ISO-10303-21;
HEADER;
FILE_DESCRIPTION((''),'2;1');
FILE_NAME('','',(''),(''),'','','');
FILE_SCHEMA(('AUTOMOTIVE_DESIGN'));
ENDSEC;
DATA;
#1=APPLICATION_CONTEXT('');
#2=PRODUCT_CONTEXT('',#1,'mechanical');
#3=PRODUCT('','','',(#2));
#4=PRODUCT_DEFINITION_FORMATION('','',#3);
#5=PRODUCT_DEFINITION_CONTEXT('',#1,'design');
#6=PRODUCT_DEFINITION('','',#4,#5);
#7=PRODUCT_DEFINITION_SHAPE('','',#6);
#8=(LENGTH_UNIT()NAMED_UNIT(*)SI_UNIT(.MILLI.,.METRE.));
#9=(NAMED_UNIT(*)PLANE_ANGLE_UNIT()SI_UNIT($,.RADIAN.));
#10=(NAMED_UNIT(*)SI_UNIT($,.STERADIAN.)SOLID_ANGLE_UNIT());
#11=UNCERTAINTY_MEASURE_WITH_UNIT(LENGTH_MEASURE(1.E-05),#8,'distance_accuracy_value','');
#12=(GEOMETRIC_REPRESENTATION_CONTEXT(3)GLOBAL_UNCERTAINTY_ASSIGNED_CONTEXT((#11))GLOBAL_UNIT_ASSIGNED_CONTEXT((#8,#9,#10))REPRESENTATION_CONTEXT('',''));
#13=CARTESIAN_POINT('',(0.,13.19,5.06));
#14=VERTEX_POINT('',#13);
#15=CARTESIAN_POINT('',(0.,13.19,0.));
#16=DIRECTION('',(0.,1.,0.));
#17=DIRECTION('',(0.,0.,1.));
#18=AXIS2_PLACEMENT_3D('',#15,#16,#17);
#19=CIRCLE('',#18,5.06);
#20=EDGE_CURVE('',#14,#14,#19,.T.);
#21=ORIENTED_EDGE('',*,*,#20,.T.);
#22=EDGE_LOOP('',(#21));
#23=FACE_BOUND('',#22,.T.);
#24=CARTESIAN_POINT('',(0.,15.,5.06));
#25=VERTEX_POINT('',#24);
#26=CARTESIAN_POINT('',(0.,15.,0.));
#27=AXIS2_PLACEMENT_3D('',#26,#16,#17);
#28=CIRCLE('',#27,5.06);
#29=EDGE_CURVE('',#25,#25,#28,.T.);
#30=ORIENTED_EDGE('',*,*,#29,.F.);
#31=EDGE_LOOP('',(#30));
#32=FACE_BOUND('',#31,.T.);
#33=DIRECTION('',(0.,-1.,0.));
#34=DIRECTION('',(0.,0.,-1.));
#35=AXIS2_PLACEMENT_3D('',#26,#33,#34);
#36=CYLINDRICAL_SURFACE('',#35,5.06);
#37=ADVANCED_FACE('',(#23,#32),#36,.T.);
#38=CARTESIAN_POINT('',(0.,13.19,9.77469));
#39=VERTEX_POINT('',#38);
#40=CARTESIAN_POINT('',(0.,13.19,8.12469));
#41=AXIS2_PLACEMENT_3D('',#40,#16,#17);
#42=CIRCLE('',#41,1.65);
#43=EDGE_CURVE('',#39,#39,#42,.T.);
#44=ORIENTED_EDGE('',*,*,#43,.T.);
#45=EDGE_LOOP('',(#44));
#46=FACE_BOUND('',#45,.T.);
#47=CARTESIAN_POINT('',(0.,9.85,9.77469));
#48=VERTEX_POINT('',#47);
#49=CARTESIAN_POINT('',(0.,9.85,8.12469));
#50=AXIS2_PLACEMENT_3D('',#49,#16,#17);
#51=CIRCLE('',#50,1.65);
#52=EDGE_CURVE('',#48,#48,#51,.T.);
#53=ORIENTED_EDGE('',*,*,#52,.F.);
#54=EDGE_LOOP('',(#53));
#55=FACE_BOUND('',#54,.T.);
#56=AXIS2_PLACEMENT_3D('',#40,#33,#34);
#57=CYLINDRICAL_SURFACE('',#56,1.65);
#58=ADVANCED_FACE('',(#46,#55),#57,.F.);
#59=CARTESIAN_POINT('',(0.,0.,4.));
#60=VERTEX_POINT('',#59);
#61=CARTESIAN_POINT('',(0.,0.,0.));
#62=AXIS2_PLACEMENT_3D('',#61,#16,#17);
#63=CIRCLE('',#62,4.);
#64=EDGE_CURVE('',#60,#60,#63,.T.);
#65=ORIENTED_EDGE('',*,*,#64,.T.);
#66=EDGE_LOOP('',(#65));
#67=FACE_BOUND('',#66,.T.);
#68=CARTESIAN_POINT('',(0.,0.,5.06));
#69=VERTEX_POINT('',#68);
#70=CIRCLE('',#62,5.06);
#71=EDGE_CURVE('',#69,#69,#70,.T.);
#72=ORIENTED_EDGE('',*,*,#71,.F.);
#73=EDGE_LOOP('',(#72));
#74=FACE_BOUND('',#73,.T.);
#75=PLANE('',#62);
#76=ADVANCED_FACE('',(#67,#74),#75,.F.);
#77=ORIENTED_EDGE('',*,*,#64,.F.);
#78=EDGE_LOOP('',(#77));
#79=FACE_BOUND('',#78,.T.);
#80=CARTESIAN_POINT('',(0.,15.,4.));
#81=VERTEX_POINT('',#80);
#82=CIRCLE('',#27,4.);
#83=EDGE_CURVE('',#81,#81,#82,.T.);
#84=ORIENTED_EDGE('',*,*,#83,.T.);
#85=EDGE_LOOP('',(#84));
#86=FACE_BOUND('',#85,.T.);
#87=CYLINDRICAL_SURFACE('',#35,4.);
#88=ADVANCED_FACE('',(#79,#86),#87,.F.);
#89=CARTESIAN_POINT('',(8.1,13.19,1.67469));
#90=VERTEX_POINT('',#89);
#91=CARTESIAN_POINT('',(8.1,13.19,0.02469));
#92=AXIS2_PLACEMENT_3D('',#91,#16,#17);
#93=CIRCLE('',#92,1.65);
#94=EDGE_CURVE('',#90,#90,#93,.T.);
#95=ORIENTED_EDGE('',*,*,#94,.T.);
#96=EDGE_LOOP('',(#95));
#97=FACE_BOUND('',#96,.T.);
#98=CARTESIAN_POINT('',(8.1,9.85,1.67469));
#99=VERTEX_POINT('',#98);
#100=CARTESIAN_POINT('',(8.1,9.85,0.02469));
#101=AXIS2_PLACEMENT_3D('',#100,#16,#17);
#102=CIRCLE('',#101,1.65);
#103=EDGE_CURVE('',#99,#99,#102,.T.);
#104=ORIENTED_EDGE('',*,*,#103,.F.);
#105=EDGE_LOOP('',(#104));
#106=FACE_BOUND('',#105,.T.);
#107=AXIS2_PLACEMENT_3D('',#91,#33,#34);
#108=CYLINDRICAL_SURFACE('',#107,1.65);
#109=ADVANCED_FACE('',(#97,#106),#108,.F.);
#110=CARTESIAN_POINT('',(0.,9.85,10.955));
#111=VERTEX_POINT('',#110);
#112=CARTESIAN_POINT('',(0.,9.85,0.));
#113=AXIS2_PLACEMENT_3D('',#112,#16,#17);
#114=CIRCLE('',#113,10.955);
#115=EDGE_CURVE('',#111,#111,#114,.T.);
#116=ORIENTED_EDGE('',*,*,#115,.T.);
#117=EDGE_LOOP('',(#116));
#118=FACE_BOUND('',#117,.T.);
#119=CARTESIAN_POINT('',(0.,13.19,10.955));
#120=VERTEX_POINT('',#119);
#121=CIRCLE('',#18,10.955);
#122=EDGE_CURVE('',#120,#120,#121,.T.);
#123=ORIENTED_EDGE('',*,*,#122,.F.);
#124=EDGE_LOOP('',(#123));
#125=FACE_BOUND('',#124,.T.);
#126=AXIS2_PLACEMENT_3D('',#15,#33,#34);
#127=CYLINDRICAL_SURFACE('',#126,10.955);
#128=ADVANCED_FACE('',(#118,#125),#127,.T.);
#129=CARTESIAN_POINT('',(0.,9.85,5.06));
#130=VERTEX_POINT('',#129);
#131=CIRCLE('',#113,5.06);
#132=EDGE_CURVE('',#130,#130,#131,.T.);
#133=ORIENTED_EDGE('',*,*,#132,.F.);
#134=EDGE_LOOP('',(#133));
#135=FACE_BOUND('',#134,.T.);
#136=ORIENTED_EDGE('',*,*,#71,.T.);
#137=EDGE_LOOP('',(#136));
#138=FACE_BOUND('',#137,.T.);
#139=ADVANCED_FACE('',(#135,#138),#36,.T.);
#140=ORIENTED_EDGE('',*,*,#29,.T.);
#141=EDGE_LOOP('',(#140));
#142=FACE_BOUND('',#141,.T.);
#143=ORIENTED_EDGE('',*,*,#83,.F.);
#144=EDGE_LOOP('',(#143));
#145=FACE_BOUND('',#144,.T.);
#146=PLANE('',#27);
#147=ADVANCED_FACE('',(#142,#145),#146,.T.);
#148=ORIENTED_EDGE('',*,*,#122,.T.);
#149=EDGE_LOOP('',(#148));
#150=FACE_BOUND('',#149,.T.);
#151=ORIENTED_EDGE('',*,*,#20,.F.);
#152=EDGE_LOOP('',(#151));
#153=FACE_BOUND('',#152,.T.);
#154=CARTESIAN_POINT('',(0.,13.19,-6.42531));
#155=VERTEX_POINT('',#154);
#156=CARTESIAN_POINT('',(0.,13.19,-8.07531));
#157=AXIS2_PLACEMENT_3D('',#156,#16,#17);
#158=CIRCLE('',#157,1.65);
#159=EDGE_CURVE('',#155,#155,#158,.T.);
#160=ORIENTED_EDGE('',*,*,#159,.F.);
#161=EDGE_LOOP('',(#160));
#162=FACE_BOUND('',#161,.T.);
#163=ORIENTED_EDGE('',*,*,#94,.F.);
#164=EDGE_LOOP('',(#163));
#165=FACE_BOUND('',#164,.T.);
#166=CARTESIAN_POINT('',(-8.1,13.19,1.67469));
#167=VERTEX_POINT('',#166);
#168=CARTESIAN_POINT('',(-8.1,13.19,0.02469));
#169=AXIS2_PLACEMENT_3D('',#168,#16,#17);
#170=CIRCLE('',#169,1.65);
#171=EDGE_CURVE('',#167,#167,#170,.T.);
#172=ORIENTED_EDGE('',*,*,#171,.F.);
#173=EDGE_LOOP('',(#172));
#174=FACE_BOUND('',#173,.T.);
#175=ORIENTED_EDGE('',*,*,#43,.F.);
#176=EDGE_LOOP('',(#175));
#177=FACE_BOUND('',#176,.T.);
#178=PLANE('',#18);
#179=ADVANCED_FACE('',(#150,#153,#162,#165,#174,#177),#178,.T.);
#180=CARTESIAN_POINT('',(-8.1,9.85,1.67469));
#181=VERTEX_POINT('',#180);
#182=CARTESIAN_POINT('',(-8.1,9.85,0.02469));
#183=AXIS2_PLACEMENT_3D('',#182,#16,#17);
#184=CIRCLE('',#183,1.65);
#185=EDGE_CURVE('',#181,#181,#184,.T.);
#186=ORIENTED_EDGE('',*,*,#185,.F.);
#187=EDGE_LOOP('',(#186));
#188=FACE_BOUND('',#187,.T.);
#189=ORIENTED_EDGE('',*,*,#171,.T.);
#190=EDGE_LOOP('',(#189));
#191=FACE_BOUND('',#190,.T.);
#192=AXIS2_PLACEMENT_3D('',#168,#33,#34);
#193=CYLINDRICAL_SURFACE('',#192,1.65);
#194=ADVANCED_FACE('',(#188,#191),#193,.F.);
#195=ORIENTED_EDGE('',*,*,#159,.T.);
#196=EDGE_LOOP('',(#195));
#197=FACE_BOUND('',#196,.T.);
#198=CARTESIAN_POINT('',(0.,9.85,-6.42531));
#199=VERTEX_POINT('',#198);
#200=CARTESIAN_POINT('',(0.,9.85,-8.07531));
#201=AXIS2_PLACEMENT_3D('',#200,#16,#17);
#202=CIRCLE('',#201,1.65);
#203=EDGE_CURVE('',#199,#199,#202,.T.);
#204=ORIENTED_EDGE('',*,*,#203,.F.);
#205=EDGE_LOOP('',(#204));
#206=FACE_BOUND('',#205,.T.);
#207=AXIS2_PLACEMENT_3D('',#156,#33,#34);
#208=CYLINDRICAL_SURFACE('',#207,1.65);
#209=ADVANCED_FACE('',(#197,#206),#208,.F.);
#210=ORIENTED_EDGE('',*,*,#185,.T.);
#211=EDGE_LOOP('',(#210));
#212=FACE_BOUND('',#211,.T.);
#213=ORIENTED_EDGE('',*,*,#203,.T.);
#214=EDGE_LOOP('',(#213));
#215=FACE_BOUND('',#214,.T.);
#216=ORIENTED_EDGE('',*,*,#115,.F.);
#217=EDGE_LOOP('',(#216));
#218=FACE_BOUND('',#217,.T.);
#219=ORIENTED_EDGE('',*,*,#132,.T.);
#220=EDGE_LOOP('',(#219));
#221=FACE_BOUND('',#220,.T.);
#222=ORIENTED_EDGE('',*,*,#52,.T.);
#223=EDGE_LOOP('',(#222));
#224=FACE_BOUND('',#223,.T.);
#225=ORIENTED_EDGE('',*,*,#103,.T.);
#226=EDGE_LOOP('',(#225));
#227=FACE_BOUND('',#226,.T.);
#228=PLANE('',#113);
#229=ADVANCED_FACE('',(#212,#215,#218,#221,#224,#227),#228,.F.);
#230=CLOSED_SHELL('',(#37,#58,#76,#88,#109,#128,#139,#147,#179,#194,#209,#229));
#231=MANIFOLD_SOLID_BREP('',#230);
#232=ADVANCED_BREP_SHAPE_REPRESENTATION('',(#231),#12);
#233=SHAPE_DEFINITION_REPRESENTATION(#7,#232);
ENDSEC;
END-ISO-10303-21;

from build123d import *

# Parameters (mm, degrees)
SKETCH_1_R      = 5.06
SKETCH_1_R_2    = 4
EXTRUDE_1_DEPTH = 15
EXTRUDE_START   = 9.85
SKETCH_1_3_R    = 10.955
SKETCH_1_3_R_2  = 1.65
SKETCH_1_3_R_3  = 5.06
EXTRUDE_2_DEPTH = 3.34


with BuildPart() as part:
    # Эскиз1 → Бобышка-Вытянуть1 (new body)
    with BuildSketch(Plane(origin=(0, 0, 0), x_dir=(1, 0, 0), z_dir=(0, 1, 0))):
        Circle(SKETCH_1_R)
        Circle(SKETCH_1_R_2, mode=Mode.SUBTRACT)
    extrude(amount=EXTRUDE_1_DEPTH)

    # Эскиз1<3> → Бобышка-Вытянуть2 (add)
    with BuildSketch(Plane(origin=(0, 0, 0), x_dir=(1, 0, 0), z_dir=(0, 1, 0)).offset(EXTRUDE_START)):
        Circle(SKETCH_1_3_R)
        with Locations((-8.1, -0.024689505)):
            Circle(SKETCH_1_3_R_2, mode=Mode.SUBTRACT)
        with Locations((0, -8.124689505)):
            Circle(SKETCH_1_3_R_2, mode=Mode.SUBTRACT)
        with Locations((8.1, -0.024689505)):
            Circle(SKETCH_1_3_R_2, mode=Mode.SUBTRACT)
        Circle(SKETCH_1_3_R_3, mode=Mode.SUBTRACT)
        with Locations((0, 8.075310495)):
            Circle(SKETCH_1_3_R_2, mode=Mode.SUBTRACT)
    extrude(amount=EXTRUDE_2_DEPTH)


solid = part.part
